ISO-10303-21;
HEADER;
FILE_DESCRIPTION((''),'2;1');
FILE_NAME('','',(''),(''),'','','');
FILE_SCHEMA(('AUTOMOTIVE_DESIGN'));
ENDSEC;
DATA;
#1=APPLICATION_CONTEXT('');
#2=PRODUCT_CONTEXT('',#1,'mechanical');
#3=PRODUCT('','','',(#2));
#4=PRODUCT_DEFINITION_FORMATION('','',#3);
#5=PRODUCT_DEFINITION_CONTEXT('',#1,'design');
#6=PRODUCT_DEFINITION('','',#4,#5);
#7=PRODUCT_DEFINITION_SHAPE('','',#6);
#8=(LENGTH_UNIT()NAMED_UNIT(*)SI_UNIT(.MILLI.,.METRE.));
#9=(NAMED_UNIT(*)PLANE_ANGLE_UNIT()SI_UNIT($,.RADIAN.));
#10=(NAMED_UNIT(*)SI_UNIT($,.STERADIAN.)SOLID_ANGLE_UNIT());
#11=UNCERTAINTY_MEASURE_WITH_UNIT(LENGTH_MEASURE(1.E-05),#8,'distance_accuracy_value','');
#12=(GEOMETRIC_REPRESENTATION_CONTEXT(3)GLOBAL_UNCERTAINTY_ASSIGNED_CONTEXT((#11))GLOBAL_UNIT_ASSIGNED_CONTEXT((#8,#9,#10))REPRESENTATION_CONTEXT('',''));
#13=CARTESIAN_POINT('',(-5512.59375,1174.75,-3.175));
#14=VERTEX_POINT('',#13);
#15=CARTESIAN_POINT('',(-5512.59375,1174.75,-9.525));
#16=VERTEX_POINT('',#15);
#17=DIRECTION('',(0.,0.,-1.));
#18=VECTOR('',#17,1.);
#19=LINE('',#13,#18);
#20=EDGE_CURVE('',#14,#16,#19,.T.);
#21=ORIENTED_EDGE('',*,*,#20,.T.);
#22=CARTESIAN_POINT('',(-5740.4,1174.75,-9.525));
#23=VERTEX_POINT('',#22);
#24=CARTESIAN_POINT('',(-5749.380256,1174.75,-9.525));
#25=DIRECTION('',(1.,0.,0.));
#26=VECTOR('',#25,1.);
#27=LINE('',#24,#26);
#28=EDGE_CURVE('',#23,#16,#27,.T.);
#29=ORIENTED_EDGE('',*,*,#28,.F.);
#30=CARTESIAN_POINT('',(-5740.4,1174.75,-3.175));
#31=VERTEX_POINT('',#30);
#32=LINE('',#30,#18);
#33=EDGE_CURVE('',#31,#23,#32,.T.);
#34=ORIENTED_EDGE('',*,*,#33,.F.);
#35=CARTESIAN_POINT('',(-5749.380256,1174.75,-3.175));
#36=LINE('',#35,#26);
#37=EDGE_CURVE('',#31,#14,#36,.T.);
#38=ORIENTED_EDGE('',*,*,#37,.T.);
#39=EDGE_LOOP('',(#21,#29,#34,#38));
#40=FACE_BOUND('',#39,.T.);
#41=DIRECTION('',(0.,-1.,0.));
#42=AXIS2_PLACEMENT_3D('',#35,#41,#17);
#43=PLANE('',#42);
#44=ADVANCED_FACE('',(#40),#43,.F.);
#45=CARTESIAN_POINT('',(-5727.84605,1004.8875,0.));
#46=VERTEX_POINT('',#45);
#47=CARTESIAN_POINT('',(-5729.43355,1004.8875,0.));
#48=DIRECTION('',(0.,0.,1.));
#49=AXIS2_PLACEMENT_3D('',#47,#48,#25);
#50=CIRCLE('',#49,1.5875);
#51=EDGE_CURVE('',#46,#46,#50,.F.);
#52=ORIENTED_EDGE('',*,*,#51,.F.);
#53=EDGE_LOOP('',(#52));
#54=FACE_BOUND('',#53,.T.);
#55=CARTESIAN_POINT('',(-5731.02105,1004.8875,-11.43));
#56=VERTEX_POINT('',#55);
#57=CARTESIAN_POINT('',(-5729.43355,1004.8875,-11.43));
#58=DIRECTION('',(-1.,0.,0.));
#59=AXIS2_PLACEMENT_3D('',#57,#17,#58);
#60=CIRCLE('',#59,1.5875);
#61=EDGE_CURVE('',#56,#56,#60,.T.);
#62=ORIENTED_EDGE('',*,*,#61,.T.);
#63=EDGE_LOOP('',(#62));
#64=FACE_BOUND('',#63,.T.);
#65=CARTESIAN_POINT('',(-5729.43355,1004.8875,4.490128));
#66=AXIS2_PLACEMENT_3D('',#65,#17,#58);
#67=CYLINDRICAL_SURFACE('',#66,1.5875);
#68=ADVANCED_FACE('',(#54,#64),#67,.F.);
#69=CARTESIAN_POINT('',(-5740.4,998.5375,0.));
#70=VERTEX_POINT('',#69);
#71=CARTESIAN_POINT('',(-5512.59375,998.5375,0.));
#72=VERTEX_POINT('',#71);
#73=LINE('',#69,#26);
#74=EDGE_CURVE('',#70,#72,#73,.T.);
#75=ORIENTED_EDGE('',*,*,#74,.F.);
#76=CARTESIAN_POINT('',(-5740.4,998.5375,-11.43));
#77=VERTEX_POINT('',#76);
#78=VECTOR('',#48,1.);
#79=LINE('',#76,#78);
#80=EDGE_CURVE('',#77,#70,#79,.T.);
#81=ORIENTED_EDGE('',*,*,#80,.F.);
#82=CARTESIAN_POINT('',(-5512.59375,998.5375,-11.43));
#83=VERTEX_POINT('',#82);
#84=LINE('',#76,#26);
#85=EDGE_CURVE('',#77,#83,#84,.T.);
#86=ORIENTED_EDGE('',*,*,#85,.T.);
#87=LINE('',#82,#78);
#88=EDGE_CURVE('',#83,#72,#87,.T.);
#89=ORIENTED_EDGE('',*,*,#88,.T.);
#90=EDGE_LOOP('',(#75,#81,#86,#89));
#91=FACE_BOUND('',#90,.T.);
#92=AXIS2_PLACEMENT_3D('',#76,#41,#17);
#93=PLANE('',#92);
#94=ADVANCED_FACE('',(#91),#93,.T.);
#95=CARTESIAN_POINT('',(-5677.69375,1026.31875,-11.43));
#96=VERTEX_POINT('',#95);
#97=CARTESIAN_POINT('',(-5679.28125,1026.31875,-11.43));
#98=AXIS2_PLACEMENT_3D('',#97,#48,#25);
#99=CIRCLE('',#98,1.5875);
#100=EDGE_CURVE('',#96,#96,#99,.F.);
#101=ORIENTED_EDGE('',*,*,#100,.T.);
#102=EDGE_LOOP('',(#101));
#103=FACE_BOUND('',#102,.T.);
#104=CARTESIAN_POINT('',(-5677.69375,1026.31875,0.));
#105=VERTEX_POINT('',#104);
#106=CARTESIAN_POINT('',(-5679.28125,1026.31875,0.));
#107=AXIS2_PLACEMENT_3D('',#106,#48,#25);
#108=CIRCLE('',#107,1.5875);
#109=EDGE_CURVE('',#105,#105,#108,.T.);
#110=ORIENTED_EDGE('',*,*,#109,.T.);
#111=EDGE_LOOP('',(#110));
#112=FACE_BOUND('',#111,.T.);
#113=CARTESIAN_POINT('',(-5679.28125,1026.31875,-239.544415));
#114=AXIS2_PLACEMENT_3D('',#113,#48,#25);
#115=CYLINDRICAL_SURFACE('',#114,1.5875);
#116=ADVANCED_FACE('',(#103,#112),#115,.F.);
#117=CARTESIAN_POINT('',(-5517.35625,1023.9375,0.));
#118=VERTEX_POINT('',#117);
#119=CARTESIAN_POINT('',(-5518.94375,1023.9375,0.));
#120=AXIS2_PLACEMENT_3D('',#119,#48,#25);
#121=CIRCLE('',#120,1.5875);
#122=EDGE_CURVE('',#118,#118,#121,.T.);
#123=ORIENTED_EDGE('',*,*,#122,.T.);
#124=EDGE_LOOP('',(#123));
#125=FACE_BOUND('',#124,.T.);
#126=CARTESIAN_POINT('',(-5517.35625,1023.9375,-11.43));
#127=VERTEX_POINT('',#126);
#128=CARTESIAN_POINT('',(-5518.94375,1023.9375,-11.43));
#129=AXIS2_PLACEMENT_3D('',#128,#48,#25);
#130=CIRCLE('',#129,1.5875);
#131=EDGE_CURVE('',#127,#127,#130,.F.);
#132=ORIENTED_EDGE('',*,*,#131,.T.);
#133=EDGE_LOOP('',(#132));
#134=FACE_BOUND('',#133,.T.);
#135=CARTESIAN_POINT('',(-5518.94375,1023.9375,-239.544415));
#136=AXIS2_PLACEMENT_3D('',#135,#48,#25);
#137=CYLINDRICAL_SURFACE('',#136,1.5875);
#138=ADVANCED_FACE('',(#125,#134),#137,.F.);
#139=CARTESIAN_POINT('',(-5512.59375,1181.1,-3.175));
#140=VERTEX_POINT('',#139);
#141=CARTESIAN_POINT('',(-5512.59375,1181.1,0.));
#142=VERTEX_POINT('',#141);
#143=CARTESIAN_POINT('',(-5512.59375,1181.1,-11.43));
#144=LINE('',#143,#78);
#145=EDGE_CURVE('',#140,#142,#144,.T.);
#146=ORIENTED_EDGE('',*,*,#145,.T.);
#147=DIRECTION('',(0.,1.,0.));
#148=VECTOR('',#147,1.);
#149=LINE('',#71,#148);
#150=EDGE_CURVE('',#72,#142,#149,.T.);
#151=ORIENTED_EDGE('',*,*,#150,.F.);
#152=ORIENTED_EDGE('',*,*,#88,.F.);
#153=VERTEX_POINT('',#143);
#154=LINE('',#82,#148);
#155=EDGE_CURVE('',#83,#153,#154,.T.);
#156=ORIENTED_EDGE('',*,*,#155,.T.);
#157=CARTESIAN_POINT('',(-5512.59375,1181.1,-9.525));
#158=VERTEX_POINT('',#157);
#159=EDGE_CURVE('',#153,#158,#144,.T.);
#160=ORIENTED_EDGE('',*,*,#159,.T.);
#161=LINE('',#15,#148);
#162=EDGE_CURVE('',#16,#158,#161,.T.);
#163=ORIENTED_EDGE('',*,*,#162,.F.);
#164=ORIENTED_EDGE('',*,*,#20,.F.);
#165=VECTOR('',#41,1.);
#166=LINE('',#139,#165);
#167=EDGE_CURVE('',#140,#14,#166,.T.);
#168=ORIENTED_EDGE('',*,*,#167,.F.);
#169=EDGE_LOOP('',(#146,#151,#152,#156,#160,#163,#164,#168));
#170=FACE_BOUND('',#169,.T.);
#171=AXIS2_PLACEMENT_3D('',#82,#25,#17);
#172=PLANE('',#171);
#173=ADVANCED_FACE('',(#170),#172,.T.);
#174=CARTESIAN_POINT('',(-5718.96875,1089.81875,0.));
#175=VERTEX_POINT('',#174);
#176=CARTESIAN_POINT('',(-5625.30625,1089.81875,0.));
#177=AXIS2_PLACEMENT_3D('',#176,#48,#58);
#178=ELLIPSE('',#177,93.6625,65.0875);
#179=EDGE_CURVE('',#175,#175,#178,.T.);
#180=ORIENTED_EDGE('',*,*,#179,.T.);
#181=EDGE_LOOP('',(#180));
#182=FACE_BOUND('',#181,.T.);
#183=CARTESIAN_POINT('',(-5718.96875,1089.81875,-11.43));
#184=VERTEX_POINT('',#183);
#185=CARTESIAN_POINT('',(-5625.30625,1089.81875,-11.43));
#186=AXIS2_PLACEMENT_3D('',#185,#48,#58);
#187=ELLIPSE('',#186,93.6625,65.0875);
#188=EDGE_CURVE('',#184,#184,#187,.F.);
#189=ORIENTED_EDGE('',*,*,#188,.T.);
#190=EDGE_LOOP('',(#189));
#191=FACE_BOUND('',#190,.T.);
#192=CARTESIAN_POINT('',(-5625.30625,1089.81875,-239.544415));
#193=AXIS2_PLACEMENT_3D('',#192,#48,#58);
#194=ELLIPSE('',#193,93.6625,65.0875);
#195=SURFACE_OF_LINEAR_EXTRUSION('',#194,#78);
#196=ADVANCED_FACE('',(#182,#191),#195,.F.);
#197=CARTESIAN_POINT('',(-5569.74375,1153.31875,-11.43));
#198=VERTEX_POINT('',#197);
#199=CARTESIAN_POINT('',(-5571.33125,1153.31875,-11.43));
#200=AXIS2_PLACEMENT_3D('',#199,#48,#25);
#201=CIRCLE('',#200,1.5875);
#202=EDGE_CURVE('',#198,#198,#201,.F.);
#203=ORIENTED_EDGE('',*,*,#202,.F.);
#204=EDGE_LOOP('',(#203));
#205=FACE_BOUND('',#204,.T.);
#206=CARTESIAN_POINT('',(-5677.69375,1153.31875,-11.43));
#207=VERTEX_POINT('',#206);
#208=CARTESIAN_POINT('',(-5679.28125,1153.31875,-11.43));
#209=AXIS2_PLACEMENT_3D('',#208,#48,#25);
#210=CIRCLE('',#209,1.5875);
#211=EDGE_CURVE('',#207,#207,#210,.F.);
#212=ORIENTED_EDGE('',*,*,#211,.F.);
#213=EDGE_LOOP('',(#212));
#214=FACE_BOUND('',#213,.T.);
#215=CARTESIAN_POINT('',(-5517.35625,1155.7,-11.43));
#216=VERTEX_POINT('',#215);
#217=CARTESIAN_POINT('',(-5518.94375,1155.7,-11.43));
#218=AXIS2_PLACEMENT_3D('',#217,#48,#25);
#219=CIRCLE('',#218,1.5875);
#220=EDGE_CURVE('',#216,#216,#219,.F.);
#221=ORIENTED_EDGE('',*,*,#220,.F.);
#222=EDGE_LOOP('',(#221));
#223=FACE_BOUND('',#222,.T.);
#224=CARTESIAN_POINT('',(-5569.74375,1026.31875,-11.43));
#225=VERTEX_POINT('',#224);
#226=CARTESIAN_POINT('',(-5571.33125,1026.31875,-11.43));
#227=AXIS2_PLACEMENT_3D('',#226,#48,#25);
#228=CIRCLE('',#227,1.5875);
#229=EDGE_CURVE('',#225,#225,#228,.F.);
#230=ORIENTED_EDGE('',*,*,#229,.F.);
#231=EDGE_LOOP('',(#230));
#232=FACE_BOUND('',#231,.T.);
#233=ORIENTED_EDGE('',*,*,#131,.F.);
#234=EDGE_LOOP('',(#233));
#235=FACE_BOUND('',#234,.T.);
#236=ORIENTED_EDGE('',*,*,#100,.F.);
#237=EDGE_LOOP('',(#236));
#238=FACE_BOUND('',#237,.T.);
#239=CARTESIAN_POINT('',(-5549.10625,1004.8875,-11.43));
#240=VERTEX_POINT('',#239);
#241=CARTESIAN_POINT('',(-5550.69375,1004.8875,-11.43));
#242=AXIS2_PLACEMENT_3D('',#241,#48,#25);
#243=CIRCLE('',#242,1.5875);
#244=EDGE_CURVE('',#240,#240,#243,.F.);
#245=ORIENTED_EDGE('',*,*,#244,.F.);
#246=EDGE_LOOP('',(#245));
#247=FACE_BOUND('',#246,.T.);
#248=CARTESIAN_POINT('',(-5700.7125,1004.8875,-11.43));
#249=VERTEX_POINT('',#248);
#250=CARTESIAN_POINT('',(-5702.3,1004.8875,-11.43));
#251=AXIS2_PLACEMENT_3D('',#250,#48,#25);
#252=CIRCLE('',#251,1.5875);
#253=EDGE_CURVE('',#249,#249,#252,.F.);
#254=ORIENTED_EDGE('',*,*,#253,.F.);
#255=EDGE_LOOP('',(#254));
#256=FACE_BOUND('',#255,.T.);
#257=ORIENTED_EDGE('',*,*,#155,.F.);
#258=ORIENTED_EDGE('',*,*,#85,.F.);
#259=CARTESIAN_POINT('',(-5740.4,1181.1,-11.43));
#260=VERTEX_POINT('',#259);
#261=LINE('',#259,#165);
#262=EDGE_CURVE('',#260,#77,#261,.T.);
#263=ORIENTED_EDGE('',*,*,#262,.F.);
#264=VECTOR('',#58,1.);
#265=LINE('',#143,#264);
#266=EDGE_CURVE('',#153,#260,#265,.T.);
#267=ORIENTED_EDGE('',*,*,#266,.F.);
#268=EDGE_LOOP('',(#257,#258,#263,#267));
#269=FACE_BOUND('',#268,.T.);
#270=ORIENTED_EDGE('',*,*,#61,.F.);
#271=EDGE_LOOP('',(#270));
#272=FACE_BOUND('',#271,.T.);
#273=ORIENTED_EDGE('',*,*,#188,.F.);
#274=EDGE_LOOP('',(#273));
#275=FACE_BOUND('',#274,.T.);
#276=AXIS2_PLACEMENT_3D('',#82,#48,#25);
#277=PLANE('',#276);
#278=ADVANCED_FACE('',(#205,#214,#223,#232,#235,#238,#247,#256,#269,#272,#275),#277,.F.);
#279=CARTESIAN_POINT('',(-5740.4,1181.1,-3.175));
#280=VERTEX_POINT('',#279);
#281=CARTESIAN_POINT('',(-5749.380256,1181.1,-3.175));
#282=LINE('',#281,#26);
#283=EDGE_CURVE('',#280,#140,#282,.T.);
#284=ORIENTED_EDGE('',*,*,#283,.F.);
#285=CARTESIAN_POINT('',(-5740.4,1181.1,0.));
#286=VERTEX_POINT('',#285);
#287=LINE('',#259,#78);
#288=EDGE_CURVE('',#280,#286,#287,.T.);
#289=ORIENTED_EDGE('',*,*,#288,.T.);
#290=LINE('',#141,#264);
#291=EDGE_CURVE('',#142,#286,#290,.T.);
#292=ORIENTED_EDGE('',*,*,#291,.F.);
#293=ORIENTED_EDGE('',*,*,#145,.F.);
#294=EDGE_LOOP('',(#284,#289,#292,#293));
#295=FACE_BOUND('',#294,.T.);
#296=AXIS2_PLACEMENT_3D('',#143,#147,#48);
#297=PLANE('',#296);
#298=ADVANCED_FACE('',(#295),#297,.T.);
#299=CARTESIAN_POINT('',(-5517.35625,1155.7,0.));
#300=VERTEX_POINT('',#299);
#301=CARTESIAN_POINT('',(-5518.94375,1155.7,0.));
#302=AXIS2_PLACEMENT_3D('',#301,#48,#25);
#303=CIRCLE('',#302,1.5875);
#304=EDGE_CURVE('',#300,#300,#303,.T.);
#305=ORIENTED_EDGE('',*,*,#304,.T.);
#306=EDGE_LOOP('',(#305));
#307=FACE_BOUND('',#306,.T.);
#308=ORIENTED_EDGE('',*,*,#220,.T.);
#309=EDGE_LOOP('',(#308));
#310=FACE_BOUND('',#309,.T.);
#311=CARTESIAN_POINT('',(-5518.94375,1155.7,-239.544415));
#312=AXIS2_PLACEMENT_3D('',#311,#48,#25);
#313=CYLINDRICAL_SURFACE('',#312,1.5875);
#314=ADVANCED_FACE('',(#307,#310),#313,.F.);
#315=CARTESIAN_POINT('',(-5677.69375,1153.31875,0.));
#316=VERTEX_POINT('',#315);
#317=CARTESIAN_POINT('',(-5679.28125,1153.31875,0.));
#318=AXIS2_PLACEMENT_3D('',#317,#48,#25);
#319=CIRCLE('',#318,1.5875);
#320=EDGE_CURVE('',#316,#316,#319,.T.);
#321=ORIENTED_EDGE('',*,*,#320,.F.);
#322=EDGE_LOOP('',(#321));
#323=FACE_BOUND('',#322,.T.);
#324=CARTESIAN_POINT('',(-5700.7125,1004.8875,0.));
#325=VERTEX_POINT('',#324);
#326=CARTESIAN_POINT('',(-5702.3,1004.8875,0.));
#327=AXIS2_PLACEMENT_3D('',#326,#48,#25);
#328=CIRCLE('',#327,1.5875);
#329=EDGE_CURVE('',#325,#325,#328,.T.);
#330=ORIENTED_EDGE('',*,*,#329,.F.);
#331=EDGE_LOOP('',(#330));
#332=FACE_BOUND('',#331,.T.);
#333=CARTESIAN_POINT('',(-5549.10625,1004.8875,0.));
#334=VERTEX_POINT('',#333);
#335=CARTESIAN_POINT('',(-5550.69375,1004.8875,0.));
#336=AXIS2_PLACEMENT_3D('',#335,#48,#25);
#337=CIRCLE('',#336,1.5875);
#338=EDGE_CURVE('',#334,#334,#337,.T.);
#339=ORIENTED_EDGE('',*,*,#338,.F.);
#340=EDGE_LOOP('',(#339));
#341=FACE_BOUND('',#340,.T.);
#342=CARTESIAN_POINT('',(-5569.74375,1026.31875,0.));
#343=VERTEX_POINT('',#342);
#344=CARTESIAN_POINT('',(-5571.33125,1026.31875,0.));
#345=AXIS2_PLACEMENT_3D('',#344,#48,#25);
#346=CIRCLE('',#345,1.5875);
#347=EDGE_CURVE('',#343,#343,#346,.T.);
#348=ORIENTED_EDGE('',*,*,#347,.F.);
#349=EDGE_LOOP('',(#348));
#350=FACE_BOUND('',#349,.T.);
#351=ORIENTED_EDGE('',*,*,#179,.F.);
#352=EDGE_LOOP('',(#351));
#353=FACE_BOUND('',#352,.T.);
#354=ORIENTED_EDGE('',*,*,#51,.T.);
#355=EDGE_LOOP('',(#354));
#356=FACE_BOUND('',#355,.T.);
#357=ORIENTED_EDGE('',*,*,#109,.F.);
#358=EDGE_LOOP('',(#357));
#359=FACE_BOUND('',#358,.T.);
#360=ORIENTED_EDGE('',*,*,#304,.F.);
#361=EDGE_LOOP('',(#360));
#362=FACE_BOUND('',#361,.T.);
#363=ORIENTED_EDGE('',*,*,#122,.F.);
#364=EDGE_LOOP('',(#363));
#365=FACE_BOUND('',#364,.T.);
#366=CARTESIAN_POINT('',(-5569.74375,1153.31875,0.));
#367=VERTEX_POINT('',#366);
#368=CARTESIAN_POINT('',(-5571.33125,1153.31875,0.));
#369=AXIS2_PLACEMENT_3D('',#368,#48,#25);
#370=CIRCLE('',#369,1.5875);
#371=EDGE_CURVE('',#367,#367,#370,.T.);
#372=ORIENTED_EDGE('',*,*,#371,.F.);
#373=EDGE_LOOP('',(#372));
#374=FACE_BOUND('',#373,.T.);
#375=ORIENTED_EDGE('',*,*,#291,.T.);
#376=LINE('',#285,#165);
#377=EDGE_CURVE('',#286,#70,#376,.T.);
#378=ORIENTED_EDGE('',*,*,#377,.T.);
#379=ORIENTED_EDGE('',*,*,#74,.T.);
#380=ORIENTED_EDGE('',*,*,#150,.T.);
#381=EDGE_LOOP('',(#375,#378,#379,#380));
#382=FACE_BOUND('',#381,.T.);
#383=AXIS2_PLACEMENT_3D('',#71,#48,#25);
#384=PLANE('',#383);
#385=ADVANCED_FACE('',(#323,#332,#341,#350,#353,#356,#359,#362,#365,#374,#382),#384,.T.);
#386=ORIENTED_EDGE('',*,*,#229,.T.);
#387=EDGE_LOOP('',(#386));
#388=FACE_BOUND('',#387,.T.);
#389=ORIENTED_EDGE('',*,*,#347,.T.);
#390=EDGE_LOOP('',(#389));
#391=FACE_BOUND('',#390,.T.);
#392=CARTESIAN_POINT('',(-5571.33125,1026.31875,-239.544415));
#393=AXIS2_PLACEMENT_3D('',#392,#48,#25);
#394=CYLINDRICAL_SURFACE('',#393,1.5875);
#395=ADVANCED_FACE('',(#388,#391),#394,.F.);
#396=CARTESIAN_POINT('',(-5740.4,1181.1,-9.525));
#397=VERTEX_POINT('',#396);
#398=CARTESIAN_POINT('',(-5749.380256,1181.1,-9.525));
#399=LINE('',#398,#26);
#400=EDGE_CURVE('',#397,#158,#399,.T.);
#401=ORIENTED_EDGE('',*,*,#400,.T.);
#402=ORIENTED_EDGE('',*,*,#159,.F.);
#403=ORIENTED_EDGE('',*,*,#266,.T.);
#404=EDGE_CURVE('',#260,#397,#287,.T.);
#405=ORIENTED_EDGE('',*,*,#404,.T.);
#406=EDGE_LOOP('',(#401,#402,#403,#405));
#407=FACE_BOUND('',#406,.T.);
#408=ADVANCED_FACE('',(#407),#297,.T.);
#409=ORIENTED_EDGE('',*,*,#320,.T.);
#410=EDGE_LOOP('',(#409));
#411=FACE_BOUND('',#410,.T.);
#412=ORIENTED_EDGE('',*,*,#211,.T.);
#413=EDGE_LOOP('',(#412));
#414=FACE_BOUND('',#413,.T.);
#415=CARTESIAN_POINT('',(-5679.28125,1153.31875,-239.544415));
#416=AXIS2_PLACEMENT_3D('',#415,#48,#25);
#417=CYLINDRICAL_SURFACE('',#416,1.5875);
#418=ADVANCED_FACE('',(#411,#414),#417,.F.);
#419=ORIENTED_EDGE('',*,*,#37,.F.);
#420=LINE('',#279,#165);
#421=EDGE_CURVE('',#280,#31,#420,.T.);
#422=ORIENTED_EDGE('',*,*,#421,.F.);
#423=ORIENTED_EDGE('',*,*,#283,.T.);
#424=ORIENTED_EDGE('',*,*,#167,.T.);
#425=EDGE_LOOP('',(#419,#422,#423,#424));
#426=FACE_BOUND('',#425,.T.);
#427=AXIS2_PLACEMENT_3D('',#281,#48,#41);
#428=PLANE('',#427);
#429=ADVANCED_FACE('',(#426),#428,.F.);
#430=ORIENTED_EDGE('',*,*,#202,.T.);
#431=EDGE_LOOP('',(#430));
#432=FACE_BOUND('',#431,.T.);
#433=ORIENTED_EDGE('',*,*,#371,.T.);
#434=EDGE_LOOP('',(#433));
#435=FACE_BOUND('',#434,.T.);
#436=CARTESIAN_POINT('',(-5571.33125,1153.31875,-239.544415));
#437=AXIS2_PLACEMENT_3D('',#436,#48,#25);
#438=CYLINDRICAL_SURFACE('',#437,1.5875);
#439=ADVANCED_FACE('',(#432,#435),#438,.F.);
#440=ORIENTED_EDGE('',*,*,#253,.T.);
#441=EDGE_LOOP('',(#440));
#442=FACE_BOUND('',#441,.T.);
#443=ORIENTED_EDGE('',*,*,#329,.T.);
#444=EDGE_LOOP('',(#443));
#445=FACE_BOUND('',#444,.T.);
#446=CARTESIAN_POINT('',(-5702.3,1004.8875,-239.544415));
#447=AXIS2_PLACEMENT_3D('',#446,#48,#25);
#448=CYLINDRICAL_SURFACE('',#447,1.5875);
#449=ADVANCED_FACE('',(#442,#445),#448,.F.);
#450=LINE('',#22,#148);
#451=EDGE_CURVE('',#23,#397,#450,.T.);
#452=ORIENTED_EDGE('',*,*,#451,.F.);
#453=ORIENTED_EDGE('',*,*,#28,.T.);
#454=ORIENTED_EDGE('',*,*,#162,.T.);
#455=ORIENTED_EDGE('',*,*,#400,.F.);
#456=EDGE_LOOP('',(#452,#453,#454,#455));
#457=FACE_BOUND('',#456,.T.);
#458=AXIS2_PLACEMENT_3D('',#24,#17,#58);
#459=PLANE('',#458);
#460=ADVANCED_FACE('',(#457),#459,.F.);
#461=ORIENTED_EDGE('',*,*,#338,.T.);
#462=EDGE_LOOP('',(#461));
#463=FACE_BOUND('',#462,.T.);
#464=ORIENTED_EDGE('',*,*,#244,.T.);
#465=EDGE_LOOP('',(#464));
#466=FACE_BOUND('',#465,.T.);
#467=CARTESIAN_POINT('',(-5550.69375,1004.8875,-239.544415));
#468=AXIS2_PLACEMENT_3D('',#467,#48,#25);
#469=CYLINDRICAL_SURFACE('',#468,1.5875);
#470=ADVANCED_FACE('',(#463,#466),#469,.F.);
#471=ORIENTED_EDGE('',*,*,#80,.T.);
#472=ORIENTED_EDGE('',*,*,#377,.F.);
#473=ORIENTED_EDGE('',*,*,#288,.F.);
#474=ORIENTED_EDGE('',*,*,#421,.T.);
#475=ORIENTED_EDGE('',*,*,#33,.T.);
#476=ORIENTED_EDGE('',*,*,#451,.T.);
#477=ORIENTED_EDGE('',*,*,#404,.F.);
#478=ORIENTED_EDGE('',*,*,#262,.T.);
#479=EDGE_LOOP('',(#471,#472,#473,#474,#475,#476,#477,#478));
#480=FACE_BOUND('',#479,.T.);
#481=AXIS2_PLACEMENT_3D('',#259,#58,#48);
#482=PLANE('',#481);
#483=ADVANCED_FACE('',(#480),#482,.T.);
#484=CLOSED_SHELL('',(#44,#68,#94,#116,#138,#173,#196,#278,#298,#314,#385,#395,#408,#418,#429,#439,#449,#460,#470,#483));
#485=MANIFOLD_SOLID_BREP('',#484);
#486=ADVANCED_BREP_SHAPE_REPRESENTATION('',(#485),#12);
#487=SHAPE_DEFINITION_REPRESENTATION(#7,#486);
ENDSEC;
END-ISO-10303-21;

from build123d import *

# Parameters (mm, degrees)
SPEAKERMOUNTING_W               = 227.80625
SPEAKERMOUNTING_H               = 182.5625
SPEAKERMOUNTING_THICKNESS_DEPTH = 11.43
SPEAKERCUTOUT_R                 = 1.5875
SPEAKERCUTOUT_RX                = 93.6625
SPEAKERCUTOUT_RY                = 65.087499997
CUT_EXTRUDE1_DEPTH              = 11.43
CUT_EXTRUDE2_DEPTH              = 227.80625
SKETCH2_R                       = 1.5875
CUT_EXTRUDE3_DEPTH              = 11.43


with BuildPart() as part:
    # SpeakerMounting → SpeakerMounting_Thickness (new body)
    with BuildSketch(Plane.XY):
        with Locations((-5626.496875, 1089.81875)):
            Rectangle(SPEAKERMOUNTING_W, SPEAKERMOUNTING_H)
    extrude(amount=-SPEAKERMOUNTING_THICKNESS_DEPTH)

    # SpeakerCutout → Cut-Extrude1 (cut)
    with BuildSketch(Plane.XY):
        with Locations((-5571.33125, 1153.31875)):
            Circle(SPEAKERCUTOUT_R)
        with Locations((-5518.94375, 1155.7)):
            Circle(SPEAKERCUTOUT_R)
        with Locations((-5518.94375, 1023.9375)):
            Circle(SPEAKERCUTOUT_R)
        with Locations((-5550.69375, 1004.8875)):
            Circle(SPEAKERCUTOUT_R)
        with Locations((-5571.33125, 1026.31875)):
            Circle(SPEAKERCUTOUT_R)
        with Locations((-5679.28125, 1026.31875)):
            Circle(SPEAKERCUTOUT_R)
        with Locations((-5702.3, 1004.8875)):
            Circle(SPEAKERCUTOUT_R)
        with Locations((-5679.28125, 1153.31875)):
            Circle(SPEAKERCUTOUT_R)
        with Locations(Location((-5625.30625, 1089.81875), (0, 0, 180))):
            Ellipse(SPEAKERCUTOUT_RX, SPEAKERCUTOUT_RY)
    extrude(amount=-CUT_EXTRUDE1_DEPTH, mode=Mode.SUBTRACT)

    # SpeakerSlotForScreen → Cut-Extrude2 (cut)
    with BuildSketch(Plane(origin=(-5512.59375, 0, 0), x_dir=(0, 0, -1), z_dir=(1, 0, 0))):
        Polygon((5.715, 1181.1), (3.175, 1181.1), (3.175, 1174.75), (9.525, 1174.75), (9.525, 1181.1), align=None)
    extrude(amount=-CUT_EXTRUDE2_DEPTH, mode=Mode.SUBTRACT)

    # Sketch2 → Cut-Extrude3 (cut)
    with BuildSketch(Plane(origin=(0, 0, -11.43), x_dir=(-1, 0, 0), z_dir=(0, 0, -1))):
        with Locations((5729.43355, 1004.8875)):
            Circle(SKETCH2_R)
    extrude(amount=-CUT_EXTRUDE3_DEPTH, mode=Mode.SUBTRACT)


solid = part.part
